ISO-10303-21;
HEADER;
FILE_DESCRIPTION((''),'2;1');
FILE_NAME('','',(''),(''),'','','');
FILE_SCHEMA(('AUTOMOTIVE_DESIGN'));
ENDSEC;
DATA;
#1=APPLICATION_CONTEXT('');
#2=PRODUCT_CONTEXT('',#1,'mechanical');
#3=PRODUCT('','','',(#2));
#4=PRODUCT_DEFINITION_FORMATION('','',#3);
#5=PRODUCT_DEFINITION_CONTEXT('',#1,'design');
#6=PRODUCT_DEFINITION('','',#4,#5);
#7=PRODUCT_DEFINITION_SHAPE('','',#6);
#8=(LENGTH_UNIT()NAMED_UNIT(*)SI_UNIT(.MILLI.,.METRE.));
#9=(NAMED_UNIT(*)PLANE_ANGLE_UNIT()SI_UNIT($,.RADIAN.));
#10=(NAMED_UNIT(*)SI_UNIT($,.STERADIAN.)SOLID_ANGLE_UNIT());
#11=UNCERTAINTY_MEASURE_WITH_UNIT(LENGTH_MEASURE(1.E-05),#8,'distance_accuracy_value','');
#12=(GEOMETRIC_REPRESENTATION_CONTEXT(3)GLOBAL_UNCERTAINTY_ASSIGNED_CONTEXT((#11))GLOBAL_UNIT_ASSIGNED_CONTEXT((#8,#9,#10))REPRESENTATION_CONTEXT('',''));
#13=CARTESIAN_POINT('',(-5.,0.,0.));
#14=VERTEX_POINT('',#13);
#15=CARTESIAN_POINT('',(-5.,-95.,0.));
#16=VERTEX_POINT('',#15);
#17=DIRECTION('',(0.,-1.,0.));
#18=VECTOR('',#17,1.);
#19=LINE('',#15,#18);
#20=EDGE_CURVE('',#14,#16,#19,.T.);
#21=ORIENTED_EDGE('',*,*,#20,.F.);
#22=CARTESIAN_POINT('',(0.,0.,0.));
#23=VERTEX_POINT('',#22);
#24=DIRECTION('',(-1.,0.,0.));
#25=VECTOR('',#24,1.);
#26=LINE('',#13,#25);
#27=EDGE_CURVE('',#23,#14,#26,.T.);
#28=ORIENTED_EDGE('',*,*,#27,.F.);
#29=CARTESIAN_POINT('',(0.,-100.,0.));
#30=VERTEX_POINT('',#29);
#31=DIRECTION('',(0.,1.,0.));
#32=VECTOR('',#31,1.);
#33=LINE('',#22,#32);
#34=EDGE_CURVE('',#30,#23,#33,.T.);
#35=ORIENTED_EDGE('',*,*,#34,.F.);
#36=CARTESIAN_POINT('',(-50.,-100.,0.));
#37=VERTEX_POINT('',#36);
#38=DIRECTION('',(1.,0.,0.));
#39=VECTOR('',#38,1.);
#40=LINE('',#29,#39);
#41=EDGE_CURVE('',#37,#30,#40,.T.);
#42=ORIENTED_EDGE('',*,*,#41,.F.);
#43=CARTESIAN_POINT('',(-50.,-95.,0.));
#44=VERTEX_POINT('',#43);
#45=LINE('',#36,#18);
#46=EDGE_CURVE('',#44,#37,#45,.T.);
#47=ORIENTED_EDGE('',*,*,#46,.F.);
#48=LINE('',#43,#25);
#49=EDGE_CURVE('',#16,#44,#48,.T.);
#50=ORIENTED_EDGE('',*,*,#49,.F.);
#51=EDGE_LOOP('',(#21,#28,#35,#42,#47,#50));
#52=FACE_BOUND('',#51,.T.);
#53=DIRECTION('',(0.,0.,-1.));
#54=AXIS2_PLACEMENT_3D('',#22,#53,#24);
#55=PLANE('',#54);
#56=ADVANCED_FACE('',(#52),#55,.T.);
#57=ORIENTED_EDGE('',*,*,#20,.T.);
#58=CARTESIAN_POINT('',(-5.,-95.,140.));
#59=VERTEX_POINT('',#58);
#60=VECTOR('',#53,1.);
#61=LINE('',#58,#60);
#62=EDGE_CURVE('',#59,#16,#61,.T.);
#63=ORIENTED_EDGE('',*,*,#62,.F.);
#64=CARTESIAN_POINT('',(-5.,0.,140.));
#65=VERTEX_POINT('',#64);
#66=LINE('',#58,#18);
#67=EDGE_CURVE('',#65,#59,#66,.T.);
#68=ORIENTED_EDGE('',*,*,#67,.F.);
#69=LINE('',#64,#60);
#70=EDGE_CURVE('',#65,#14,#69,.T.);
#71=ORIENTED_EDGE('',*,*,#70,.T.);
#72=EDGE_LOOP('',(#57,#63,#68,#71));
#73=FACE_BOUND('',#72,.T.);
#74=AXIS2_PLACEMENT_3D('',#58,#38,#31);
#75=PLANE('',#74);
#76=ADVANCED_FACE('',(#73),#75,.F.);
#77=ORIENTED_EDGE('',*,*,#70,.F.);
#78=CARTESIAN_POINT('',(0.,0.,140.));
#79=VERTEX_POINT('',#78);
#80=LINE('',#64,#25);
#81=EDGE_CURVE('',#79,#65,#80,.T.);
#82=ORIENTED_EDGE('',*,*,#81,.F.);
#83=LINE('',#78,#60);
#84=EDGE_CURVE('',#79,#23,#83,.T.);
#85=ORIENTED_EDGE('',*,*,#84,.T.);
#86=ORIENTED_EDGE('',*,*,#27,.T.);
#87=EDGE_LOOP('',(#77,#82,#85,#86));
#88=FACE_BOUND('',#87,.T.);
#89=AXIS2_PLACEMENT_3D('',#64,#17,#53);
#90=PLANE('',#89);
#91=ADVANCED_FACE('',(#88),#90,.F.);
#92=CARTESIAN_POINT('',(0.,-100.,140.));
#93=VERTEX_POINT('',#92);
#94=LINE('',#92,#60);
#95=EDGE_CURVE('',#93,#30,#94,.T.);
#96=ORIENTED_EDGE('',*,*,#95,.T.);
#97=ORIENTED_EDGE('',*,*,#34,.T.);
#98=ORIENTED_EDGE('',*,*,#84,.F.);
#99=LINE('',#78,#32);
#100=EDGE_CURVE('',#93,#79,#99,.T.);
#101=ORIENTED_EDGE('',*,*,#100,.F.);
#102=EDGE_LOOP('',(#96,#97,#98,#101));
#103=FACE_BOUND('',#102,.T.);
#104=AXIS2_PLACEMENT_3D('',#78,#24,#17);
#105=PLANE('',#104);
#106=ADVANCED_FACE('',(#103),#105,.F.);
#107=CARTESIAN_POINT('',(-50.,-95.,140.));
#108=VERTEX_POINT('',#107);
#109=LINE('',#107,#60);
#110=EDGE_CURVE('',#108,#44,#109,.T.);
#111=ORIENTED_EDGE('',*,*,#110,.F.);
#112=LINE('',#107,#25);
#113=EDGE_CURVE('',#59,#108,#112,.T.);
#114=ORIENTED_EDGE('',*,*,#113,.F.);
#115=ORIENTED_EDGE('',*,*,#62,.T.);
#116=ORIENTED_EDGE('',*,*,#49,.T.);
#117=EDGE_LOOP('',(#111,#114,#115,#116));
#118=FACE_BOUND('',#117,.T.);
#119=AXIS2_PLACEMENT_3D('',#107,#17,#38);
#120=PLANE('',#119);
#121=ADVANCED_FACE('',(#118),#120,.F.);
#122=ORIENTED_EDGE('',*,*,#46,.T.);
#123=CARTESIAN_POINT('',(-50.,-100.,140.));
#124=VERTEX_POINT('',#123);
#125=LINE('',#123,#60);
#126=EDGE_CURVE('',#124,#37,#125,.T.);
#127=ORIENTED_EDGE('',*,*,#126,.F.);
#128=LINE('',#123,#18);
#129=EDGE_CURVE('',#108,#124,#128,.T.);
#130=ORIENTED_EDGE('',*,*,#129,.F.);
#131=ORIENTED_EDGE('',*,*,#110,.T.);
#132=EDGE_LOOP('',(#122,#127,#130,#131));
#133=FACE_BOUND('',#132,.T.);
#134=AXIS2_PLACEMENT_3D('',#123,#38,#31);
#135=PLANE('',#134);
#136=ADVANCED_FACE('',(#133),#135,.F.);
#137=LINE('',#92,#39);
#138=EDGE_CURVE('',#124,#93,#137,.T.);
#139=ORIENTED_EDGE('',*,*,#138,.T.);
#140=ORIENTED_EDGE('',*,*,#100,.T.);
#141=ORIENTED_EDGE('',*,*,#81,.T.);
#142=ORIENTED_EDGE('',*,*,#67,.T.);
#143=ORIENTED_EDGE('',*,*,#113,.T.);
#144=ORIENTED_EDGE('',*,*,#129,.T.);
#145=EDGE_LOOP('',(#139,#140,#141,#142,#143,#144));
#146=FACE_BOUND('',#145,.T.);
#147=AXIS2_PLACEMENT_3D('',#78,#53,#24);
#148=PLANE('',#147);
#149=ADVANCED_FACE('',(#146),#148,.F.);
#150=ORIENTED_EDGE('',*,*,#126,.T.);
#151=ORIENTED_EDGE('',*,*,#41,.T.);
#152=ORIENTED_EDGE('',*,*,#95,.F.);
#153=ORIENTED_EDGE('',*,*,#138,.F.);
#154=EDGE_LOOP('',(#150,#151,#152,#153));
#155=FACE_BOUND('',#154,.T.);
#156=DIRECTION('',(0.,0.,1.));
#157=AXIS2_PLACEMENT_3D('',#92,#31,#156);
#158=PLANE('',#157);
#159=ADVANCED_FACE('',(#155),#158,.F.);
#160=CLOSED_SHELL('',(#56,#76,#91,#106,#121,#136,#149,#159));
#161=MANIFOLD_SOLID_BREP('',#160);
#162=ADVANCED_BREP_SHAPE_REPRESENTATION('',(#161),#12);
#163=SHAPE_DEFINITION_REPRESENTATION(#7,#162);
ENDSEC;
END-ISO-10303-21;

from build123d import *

# Parameters (mm, degrees)
BOSS_EXTRUDE1_DEPTH = 140


with BuildPart() as part:
    # Sketch1 → Boss-Extrude1 (new body)
    with BuildSketch(Plane.XY):
        Polygon((0, 0), (0, -100), (-50, -100), (-50, -95), (-5, -95), (-5, 0), align=None)
    extrude(amount=BOSS_EXTRUDE1_DEPTH)


solid = part.part
